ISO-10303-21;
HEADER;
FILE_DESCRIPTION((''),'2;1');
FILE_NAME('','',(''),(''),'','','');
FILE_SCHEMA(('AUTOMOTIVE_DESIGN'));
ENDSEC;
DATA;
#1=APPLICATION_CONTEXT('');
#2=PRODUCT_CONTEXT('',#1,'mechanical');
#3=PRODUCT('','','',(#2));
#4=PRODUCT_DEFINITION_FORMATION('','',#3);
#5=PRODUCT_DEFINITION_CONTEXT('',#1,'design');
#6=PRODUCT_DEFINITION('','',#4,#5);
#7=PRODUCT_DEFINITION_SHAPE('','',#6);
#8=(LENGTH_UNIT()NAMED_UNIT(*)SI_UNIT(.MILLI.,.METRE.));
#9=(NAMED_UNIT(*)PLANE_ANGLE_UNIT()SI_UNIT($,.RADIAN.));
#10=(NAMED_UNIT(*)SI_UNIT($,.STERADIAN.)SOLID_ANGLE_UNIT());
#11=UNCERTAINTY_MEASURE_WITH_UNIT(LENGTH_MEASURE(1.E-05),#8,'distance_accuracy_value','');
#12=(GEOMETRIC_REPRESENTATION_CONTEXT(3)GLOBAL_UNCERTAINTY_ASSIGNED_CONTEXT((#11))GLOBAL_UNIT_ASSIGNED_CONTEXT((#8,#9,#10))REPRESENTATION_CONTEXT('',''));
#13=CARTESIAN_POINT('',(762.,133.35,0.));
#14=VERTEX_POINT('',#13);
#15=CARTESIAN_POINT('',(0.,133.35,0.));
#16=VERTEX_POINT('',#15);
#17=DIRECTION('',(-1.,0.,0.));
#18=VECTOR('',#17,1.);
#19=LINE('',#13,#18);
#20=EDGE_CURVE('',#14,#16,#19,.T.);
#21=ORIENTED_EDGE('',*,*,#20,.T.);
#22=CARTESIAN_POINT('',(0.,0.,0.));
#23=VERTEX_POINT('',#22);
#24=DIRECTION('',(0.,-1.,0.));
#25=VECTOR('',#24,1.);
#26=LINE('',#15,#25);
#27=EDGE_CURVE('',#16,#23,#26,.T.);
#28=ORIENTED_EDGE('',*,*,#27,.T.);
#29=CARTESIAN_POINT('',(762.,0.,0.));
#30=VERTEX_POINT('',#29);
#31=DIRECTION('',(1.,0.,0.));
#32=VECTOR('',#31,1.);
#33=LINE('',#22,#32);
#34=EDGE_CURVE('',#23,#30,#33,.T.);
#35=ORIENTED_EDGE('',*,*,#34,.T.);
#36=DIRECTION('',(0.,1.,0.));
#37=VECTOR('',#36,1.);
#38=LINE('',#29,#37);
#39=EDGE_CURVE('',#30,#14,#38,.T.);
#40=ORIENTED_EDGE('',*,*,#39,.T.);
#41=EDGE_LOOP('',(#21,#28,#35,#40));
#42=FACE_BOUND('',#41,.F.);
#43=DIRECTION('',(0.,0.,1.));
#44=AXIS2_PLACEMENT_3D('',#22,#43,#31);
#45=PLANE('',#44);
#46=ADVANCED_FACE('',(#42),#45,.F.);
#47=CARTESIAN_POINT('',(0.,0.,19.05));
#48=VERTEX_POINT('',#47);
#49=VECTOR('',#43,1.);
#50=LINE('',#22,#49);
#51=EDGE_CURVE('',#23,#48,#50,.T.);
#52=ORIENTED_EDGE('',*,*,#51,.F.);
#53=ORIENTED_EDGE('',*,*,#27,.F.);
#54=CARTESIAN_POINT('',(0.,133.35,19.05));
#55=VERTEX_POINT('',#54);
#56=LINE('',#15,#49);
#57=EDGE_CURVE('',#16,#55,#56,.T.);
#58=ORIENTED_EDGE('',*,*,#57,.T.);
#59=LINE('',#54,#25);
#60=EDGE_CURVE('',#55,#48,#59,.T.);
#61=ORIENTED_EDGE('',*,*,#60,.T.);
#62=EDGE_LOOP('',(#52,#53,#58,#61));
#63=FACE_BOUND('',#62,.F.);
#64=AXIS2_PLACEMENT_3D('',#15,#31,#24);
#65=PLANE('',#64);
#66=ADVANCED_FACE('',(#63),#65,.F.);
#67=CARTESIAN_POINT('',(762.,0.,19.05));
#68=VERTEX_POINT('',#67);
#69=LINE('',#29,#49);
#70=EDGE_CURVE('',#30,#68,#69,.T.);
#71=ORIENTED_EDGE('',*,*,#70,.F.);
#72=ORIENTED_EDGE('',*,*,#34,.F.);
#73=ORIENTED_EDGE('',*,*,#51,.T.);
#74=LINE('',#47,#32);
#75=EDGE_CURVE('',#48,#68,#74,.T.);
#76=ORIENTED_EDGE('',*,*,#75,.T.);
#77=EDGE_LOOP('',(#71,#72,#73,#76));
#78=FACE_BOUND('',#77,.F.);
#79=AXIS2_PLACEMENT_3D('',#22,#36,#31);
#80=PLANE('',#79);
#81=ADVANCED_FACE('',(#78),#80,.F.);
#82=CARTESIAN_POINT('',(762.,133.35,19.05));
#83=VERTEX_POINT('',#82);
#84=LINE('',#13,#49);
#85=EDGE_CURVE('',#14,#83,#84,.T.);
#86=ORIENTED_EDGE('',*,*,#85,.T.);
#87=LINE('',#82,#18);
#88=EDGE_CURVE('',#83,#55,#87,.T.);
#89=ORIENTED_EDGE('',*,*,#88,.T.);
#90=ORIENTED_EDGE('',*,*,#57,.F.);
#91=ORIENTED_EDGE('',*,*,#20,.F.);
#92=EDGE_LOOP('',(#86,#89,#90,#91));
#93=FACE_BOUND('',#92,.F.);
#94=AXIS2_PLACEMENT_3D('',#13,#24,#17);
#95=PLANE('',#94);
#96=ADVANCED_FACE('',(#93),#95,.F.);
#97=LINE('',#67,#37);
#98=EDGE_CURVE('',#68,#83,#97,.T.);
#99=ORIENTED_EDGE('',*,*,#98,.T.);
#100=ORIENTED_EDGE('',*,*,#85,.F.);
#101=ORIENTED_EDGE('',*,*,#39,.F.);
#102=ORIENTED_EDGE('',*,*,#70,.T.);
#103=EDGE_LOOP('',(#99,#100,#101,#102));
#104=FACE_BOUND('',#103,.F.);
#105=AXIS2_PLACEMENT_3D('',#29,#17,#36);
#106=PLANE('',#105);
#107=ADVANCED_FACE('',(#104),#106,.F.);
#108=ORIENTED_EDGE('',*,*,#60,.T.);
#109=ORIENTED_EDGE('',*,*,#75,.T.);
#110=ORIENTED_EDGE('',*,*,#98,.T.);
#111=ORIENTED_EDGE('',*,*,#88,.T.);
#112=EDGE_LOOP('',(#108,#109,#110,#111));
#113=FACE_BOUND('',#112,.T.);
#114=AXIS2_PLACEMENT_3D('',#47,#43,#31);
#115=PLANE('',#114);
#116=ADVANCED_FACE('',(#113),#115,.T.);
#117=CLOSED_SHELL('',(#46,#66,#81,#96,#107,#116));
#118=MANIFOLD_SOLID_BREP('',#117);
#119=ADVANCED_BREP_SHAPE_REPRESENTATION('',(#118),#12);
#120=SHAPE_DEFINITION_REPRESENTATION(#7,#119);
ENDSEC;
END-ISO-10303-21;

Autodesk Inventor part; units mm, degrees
ref_plane "YZ Plane" through (0, 0, 0) normal (1, 0, 0) x (0, 1, 0)
ref_plane "XZ Plane" through (0, 0, 0) normal (0, 1, 0) x (-1, 0, 0)
ref_plane "XY Plane" through (0, 0, 0) normal (0, 0, 1) x (1, 0, 0)
sketch "Sketch1" plane through (0, 0, 0) normal (0, 0, 1) x (1, 0, 0)
  line L0 (0, 0) -> (762, 0)
  line L1 (762, 0) -> (762, 133.35)
  line L2 (762, 133.35) -> (0, 133.35)
  line L3 (0, 133.35) -> (0, 0)
  dimension "d0" = 762
  dimension "d1" = 133.35
extrude "Extrusion1" add sketch "Sketch1" along normal blind 19.05
properties part number "Platform 30in side"
